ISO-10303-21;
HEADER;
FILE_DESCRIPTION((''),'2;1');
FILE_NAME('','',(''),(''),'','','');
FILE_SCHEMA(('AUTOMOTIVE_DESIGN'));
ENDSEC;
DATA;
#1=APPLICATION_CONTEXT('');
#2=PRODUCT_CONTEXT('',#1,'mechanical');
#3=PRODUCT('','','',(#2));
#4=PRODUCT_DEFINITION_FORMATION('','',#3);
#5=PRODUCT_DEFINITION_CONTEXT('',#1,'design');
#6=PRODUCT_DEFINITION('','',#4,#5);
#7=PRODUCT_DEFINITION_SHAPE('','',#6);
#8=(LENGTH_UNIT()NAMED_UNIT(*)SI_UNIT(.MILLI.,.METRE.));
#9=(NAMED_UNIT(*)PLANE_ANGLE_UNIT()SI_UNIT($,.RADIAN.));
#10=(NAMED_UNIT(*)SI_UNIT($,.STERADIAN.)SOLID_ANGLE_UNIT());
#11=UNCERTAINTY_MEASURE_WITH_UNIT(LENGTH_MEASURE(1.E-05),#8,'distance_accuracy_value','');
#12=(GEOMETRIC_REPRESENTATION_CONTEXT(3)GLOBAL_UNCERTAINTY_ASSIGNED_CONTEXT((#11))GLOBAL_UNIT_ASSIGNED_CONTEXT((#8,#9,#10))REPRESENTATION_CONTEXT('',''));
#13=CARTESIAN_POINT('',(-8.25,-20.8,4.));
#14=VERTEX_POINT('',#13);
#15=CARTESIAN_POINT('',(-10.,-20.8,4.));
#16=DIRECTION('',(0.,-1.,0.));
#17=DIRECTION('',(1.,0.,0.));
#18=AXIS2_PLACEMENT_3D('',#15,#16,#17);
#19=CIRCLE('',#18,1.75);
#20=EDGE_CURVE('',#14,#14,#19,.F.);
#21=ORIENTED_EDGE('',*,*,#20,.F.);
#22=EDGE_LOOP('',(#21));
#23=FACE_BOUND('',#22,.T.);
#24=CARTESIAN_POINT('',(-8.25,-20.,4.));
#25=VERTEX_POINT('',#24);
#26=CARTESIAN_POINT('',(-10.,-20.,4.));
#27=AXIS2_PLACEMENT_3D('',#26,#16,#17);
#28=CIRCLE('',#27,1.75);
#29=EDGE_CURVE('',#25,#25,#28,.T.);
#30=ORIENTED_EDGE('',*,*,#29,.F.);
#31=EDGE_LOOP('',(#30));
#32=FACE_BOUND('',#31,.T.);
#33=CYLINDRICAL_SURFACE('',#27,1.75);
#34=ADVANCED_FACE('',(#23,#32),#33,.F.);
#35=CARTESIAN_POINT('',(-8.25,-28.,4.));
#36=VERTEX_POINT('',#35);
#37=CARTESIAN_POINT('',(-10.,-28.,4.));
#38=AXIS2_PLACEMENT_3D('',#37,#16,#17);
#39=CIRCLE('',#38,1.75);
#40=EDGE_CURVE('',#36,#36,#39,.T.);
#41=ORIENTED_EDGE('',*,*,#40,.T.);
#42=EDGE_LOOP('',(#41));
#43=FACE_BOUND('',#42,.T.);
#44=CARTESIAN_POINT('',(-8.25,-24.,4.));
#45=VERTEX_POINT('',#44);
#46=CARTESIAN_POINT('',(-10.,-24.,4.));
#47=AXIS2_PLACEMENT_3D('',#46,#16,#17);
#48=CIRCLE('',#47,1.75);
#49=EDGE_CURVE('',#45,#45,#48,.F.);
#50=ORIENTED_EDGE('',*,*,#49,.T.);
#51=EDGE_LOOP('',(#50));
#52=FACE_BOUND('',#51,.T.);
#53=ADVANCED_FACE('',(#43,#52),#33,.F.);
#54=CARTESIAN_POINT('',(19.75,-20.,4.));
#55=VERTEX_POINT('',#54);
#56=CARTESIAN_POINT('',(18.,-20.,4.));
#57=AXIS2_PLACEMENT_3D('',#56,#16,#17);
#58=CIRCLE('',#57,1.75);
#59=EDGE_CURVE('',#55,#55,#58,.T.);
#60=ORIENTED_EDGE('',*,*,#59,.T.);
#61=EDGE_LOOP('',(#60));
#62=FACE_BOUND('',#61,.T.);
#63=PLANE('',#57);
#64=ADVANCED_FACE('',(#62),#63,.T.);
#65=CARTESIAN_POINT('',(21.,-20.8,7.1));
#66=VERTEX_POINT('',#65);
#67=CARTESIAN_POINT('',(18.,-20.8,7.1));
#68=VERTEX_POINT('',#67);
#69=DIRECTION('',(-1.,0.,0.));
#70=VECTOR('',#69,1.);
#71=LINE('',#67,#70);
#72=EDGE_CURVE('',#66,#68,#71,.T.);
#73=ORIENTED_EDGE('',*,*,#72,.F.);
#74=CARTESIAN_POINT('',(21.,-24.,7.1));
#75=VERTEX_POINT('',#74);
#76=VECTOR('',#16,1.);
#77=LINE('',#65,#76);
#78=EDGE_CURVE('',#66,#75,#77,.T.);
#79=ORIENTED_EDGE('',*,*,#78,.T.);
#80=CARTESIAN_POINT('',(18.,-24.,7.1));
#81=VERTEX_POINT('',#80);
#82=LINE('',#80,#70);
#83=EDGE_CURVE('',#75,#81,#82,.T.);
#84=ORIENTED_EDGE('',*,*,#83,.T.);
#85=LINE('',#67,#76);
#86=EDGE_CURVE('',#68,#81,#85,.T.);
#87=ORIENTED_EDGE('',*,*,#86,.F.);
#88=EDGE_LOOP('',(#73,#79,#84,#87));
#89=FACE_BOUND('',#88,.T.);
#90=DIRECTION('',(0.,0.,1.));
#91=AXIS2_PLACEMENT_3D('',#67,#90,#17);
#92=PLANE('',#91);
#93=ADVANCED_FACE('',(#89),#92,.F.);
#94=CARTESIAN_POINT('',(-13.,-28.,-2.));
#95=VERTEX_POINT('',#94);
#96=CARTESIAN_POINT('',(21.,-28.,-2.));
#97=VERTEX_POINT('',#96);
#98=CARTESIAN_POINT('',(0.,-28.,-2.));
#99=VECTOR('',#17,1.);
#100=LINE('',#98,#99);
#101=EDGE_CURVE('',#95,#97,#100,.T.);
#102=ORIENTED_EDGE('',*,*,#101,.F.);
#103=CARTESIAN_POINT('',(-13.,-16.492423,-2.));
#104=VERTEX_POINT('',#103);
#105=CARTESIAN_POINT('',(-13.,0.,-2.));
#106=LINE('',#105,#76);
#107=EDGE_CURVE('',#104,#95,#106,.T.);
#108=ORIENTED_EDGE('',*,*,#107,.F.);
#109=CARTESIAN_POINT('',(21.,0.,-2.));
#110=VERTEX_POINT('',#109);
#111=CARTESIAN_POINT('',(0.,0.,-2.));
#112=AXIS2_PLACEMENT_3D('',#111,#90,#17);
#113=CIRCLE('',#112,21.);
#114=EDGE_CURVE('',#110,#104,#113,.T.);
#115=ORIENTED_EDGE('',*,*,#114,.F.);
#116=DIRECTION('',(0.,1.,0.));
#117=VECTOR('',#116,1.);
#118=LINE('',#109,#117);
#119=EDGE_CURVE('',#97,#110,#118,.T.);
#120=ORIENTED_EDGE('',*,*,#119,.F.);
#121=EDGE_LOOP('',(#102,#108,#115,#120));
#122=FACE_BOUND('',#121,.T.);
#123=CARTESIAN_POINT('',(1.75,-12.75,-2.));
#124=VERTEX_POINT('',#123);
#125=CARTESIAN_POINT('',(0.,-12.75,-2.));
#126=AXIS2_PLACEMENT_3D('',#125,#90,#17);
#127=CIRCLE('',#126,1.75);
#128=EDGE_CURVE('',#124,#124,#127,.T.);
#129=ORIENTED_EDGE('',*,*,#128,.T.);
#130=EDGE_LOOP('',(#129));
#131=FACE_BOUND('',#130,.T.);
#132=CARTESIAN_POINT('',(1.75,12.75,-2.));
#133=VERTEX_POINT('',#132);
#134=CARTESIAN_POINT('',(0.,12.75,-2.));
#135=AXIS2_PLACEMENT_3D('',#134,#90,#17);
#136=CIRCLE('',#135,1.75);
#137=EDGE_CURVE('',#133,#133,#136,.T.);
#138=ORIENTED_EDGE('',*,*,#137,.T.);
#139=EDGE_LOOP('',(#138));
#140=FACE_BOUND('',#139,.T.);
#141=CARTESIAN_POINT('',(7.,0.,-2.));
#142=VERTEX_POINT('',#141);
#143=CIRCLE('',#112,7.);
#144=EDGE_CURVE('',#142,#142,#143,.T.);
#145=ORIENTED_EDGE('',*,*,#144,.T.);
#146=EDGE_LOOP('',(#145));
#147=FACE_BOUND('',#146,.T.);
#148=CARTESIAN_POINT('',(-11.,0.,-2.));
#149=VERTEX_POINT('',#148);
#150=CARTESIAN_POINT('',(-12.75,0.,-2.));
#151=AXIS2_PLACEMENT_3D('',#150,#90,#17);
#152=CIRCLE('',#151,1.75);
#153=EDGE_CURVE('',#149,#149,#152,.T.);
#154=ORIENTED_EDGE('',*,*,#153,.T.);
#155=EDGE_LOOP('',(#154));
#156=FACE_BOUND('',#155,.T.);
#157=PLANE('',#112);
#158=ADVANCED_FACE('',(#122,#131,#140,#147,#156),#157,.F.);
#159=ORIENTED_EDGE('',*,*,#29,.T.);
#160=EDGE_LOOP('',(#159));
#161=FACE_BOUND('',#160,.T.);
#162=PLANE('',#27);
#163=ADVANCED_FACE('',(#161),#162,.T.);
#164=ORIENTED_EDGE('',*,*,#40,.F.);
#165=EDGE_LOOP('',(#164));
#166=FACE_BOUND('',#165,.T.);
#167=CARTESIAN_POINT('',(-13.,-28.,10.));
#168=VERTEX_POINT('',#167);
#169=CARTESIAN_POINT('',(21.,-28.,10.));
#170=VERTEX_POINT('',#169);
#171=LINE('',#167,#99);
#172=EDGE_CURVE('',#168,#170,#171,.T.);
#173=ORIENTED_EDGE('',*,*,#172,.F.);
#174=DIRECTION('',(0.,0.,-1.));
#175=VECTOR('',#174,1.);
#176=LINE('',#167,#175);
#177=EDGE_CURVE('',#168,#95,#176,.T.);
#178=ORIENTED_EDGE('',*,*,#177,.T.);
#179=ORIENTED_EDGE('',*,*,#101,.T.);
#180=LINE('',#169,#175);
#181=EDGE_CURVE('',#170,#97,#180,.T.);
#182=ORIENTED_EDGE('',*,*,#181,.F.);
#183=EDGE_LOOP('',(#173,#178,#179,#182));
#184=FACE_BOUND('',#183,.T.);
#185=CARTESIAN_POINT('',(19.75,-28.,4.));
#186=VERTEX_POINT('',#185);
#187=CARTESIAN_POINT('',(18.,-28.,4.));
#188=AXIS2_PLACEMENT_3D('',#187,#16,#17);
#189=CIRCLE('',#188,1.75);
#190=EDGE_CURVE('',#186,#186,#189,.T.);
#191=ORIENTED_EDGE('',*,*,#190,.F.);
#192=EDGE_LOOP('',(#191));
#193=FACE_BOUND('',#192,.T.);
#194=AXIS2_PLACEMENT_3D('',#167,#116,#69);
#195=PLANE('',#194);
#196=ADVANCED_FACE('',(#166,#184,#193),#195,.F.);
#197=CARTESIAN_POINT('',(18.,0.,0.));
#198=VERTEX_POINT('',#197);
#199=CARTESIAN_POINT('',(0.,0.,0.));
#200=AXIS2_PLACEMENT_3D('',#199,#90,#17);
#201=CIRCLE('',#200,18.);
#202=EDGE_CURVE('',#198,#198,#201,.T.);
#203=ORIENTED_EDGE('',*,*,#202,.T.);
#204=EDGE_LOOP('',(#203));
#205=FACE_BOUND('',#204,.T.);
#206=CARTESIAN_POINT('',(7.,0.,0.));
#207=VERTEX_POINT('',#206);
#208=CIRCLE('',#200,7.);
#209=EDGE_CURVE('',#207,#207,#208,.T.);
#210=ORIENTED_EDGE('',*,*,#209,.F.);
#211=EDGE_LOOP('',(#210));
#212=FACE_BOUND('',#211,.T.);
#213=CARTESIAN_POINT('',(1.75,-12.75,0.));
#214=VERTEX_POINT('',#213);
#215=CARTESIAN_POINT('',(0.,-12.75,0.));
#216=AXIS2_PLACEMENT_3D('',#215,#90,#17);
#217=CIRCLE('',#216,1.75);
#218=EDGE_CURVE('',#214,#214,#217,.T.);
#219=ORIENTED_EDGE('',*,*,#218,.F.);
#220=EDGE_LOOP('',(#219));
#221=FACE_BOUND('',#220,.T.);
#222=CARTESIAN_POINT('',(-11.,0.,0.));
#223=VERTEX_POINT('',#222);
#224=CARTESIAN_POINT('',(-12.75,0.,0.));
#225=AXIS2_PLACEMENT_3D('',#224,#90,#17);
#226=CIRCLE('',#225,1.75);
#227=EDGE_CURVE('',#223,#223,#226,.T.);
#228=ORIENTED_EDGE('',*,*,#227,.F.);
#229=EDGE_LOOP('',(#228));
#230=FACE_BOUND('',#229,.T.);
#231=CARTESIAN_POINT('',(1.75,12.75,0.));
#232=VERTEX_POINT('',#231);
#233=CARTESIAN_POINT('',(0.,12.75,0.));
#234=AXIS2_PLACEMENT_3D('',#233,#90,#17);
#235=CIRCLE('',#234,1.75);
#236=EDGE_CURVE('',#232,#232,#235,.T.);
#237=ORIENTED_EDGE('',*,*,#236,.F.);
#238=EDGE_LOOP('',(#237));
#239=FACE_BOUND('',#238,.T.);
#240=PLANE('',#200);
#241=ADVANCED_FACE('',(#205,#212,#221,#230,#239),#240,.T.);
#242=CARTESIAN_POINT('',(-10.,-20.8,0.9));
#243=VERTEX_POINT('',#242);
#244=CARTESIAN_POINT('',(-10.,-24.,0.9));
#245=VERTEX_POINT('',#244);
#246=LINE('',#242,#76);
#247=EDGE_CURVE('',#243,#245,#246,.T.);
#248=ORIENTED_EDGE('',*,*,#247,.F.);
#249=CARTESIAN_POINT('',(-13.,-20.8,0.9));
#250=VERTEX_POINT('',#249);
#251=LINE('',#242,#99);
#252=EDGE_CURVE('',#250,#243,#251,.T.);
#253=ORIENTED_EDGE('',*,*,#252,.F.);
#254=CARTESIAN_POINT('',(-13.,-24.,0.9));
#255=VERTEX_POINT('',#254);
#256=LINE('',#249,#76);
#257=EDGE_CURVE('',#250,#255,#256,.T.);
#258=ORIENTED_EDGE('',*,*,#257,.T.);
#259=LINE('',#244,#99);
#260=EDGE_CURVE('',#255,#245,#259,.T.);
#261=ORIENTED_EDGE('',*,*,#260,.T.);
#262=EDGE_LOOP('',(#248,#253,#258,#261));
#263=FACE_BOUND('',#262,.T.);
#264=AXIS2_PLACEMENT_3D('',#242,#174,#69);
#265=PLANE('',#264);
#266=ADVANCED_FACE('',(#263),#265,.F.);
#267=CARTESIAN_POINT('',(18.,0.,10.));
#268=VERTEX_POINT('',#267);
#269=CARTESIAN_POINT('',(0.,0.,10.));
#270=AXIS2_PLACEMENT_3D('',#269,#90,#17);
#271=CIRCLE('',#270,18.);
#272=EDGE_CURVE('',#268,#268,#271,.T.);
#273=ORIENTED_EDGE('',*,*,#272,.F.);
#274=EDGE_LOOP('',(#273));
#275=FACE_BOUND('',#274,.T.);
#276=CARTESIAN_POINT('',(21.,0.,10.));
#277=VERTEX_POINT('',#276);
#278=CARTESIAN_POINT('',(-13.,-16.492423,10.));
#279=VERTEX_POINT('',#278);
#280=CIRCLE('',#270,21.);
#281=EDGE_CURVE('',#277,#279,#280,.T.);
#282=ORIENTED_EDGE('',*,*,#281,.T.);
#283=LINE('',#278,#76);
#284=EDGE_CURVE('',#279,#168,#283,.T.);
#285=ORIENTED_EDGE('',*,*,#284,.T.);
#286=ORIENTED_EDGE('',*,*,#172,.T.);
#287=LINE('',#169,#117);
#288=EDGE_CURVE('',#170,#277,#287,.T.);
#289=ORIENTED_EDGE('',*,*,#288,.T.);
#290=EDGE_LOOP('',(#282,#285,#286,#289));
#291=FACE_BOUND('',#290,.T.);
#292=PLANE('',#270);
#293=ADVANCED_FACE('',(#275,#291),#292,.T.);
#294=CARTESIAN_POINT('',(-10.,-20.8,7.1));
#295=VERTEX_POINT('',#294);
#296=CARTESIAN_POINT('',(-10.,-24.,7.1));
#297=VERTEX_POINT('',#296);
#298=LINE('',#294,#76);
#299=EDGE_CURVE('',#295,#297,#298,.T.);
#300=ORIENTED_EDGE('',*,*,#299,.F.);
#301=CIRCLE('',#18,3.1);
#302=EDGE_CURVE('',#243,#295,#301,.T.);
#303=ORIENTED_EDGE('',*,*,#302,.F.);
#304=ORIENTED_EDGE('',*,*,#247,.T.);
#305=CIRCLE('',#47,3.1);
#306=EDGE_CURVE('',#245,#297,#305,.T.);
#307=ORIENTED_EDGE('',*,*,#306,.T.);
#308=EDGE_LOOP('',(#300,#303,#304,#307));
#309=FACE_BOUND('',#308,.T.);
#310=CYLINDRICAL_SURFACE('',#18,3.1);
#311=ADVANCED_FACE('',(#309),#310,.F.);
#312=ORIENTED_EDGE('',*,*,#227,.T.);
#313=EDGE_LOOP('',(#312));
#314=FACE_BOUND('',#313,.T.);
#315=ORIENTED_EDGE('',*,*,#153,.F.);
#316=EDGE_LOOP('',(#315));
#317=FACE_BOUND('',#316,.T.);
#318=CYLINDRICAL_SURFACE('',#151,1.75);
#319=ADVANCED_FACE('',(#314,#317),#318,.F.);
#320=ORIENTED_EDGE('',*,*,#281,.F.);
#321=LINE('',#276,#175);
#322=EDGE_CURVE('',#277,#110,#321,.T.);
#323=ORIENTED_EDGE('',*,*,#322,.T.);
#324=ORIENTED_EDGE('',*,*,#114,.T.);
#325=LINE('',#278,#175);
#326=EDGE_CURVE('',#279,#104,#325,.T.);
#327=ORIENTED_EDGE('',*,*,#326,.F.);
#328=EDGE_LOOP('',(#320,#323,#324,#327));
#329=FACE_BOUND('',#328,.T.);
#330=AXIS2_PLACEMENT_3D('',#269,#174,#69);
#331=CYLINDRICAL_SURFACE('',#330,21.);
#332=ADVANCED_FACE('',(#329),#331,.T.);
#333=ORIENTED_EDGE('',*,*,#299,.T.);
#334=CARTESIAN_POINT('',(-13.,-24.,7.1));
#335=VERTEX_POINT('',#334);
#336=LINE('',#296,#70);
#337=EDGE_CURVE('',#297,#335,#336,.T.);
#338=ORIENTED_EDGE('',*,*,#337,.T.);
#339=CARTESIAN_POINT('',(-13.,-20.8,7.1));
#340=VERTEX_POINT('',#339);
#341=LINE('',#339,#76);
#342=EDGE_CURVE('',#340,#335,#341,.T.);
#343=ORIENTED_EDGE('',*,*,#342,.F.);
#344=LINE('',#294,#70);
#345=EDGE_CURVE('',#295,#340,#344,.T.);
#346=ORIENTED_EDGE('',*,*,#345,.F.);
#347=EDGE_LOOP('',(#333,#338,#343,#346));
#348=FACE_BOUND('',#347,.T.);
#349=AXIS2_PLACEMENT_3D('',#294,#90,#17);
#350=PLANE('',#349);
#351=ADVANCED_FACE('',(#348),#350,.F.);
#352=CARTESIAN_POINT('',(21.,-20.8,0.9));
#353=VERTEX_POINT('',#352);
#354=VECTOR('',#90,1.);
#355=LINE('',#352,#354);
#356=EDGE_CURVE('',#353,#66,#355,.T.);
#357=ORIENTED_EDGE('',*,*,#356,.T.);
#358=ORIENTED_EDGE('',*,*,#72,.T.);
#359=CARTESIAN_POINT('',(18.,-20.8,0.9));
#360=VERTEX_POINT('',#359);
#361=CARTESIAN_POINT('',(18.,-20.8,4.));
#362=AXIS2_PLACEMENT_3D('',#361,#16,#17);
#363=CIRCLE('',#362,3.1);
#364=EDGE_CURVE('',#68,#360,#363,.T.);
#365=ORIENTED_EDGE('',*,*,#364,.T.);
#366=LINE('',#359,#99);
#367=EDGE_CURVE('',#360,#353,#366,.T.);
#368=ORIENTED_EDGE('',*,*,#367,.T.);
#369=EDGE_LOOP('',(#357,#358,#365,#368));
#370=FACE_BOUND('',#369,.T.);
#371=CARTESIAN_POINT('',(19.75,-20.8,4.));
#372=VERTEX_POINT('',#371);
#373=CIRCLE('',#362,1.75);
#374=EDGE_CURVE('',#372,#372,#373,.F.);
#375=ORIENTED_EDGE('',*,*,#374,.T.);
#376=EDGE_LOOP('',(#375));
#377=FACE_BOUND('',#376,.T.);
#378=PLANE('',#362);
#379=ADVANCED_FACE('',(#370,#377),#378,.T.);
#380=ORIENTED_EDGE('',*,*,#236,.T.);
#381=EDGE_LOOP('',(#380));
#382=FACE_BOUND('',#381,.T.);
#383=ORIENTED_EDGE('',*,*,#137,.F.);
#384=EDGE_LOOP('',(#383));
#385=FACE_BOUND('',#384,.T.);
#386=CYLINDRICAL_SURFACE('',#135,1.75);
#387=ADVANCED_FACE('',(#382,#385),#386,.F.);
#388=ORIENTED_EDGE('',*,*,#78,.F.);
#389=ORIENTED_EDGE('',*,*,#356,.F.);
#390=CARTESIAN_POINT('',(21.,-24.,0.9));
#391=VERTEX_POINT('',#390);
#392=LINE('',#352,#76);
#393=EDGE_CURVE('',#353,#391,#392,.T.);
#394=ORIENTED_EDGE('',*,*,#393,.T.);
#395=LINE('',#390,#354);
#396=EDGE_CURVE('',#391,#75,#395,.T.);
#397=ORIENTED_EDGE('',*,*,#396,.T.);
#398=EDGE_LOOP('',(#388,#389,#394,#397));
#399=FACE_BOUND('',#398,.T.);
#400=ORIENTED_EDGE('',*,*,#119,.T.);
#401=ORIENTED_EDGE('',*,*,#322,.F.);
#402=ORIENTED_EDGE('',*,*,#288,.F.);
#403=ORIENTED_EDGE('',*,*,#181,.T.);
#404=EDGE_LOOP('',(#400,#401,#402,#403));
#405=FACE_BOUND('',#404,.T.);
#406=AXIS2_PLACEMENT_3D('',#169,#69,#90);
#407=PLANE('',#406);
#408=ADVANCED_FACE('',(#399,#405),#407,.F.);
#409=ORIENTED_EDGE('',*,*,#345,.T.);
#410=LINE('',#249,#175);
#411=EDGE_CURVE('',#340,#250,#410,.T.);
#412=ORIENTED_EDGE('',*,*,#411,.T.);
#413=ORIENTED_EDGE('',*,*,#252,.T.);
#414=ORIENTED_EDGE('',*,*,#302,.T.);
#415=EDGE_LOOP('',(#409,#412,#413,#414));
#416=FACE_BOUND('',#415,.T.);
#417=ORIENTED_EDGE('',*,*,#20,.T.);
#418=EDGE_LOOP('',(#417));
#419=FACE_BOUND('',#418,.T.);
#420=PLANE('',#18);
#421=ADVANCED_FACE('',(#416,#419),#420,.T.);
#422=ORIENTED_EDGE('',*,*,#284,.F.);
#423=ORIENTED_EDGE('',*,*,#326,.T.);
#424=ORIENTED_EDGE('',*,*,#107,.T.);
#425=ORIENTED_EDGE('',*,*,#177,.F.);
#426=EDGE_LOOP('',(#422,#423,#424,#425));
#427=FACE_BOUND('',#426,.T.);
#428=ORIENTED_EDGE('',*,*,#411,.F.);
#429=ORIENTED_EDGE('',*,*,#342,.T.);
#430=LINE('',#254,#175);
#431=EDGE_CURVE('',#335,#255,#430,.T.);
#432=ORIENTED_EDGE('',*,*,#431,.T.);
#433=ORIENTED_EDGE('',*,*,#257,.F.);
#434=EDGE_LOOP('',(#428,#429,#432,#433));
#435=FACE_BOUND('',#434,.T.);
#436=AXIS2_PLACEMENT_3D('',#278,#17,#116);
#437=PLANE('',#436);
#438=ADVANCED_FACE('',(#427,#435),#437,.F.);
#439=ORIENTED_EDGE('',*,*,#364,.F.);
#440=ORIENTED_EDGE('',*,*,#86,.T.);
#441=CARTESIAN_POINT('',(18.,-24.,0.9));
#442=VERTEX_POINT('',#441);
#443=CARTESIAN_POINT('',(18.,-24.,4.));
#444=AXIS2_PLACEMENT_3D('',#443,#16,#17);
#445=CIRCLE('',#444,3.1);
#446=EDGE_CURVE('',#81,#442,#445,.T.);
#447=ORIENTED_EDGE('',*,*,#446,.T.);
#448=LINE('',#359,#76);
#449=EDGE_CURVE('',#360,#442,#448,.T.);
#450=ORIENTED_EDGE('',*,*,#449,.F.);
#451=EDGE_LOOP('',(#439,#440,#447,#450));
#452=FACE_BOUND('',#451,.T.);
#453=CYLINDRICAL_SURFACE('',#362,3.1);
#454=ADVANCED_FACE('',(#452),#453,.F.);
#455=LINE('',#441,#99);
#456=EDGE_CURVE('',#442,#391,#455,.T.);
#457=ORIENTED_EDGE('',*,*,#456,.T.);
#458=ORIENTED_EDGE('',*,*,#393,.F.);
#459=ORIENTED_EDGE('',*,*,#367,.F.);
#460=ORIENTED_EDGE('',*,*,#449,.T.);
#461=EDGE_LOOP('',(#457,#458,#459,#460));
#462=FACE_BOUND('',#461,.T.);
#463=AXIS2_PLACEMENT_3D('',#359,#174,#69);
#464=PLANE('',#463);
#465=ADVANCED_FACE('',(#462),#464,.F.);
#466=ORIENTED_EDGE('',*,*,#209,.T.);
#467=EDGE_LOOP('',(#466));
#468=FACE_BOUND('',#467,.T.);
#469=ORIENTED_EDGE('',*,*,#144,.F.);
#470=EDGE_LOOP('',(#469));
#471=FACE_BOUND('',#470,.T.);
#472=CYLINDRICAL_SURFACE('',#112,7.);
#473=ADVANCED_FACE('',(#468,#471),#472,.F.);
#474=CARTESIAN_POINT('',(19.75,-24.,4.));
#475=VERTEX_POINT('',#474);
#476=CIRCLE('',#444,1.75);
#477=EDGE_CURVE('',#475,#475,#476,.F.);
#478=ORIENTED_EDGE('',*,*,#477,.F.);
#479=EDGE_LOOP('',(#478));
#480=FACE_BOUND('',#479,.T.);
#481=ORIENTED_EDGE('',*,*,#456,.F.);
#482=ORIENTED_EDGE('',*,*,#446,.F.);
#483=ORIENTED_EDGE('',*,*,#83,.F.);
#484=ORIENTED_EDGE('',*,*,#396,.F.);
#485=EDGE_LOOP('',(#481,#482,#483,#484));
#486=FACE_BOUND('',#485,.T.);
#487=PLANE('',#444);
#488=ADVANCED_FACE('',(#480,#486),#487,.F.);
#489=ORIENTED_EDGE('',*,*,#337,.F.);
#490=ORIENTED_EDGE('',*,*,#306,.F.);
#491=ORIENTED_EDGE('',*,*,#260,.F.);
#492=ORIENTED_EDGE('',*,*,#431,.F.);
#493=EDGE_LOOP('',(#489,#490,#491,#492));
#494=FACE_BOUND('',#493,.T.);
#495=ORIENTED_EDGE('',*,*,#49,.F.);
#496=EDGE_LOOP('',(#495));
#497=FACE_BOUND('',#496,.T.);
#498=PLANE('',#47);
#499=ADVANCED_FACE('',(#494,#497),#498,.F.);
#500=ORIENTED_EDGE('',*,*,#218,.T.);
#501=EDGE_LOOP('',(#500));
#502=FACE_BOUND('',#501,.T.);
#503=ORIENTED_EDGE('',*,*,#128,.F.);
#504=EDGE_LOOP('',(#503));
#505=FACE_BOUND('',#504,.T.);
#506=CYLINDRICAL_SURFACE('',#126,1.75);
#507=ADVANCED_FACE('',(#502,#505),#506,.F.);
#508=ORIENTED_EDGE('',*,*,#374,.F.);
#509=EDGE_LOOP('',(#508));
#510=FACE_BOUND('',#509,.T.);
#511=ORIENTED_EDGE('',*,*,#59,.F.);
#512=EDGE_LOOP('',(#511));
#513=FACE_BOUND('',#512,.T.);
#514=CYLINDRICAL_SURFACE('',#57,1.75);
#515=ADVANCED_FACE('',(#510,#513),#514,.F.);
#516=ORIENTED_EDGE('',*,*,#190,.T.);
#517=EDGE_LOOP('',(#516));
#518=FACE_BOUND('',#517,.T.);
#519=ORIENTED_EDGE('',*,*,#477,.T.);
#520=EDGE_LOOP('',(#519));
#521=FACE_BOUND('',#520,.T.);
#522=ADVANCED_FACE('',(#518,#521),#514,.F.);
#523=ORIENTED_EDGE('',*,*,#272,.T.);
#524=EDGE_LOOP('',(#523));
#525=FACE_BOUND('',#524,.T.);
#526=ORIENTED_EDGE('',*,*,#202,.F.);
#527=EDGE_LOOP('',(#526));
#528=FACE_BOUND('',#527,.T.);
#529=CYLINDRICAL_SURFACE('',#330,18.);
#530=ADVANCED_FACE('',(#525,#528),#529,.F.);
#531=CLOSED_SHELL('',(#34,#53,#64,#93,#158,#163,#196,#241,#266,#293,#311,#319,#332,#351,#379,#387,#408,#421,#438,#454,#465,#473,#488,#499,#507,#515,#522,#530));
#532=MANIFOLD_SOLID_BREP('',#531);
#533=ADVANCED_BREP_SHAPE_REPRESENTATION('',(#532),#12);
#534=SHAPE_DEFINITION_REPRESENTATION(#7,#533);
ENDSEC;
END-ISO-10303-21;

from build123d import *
from build123d.topology import SkipClean

# Parameters (mm, degrees)
CROQUIS1_R              = 18
SALIENTE_EXTRUIR1_DEPTH = 10
SALIENTE_EXTRUIR2_START = -12
CROQUIS2_R              = 7
CROQUIS2_R_2            = 1.75
SALIENTE_EXTRUIR2_DEPTH = 2
CROQUIS7_R              = 1.75
CORTAR_EXTRUIR3_DEPTH   = 8
CORTAR_EXTRUIR4_DEPTH   = 3.2


with BuildPart() as part:
    # Croquis1 → Saliente-Extruir1 (new body)
    with BuildSketch(Plane.XY):
        with BuildLine():
            Line((-13, -28), (21, -28))
            Line((21, -28), (21, 0))
            ThreePointArc((21, 0), (-9.16515139, 18.894443628), (-13, -16.492422502))
            Line((-13, -16.492422502), (-13, -28))
        make_face()
        Circle(CROQUIS1_R, mode=Mode.SUBTRACT)
    extrude(amount=SALIENTE_EXTRUIR1_DEPTH)

    # Croquis2 → Saliente-Extruir2 (add)
    with SkipClean():  # the faces are left unmerged after this step: merging them gives an invalid solid
        with BuildSketch(Plane.XY.offset(10).offset(SALIENTE_EXTRUIR2_START)):
            with BuildLine():
                Line((21, 0), (21, -28))
                Line((21, -28), (-13, -28))
                Line((-13, -28), (-13, -16.492422502))
                ThreePointArc((-13, -16.492422502), (-9.16515139, 18.894443628), (21, 0))
            make_face()
            Circle(CROQUIS2_R, mode=Mode.SUBTRACT)
            with Locations((0, -12.75)):
                Circle(CROQUIS2_R_2, mode=Mode.SUBTRACT)
            with Locations((0, 12.75)):
                Circle(CROQUIS2_R_2, mode=Mode.SUBTRACT)
            with Locations((-12.75, 0)):
                Circle(CROQUIS2_R_2, mode=Mode.SUBTRACT)
        extrude(amount=SALIENTE_EXTRUIR2_DEPTH)

    # Croquis7 → Cortar-Extruir3 (cut)
    with SkipClean():  # the faces are left unmerged after this step: merging them gives an invalid solid
        with BuildSketch(Plane.XZ.offset(28)):
            with Locations((-10, 4)):
                Circle(CROQUIS7_R)
            with Locations((18, 4)):
                Circle(CROQUIS7_R)
        extrude(amount=-CORTAR_EXTRUIR3_DEPTH, mode=Mode.SUBTRACT)

    # Croquis8 → Cortar-Extruir4 (cut)
    with SkipClean():  # the faces are left unmerged after this step: merging them gives an invalid solid
        with BuildSketch(Plane(origin=(0, -24, 0), x_dir=(-1, 0, 0), z_dir=(0, -1, 0))):
            with BuildLine():
                Line((-18, -0.9), (-21, -0.9))
                Line((-21, -0.9), (-21, -7.1))
                Line((-21, -7.1), (-18, -7.1))
                ThreePointArc((-18, -7.1), (-14.9, -4), (-18, -0.9))
            make_face()
            with BuildLine():
                Line((10, -0.9), (13, -0.9))
                Line((13, -0.9), (13, -7.1))
                Line((13, -7.1), (10, -7.1))
                ThreePointArc((10, -7.1), (6.9, -4), (10, -0.9))
            make_face()
        extrude(amount=-CORTAR_EXTRUIR4_DEPTH, mode=Mode.SUBTRACT)


solid = part.part
